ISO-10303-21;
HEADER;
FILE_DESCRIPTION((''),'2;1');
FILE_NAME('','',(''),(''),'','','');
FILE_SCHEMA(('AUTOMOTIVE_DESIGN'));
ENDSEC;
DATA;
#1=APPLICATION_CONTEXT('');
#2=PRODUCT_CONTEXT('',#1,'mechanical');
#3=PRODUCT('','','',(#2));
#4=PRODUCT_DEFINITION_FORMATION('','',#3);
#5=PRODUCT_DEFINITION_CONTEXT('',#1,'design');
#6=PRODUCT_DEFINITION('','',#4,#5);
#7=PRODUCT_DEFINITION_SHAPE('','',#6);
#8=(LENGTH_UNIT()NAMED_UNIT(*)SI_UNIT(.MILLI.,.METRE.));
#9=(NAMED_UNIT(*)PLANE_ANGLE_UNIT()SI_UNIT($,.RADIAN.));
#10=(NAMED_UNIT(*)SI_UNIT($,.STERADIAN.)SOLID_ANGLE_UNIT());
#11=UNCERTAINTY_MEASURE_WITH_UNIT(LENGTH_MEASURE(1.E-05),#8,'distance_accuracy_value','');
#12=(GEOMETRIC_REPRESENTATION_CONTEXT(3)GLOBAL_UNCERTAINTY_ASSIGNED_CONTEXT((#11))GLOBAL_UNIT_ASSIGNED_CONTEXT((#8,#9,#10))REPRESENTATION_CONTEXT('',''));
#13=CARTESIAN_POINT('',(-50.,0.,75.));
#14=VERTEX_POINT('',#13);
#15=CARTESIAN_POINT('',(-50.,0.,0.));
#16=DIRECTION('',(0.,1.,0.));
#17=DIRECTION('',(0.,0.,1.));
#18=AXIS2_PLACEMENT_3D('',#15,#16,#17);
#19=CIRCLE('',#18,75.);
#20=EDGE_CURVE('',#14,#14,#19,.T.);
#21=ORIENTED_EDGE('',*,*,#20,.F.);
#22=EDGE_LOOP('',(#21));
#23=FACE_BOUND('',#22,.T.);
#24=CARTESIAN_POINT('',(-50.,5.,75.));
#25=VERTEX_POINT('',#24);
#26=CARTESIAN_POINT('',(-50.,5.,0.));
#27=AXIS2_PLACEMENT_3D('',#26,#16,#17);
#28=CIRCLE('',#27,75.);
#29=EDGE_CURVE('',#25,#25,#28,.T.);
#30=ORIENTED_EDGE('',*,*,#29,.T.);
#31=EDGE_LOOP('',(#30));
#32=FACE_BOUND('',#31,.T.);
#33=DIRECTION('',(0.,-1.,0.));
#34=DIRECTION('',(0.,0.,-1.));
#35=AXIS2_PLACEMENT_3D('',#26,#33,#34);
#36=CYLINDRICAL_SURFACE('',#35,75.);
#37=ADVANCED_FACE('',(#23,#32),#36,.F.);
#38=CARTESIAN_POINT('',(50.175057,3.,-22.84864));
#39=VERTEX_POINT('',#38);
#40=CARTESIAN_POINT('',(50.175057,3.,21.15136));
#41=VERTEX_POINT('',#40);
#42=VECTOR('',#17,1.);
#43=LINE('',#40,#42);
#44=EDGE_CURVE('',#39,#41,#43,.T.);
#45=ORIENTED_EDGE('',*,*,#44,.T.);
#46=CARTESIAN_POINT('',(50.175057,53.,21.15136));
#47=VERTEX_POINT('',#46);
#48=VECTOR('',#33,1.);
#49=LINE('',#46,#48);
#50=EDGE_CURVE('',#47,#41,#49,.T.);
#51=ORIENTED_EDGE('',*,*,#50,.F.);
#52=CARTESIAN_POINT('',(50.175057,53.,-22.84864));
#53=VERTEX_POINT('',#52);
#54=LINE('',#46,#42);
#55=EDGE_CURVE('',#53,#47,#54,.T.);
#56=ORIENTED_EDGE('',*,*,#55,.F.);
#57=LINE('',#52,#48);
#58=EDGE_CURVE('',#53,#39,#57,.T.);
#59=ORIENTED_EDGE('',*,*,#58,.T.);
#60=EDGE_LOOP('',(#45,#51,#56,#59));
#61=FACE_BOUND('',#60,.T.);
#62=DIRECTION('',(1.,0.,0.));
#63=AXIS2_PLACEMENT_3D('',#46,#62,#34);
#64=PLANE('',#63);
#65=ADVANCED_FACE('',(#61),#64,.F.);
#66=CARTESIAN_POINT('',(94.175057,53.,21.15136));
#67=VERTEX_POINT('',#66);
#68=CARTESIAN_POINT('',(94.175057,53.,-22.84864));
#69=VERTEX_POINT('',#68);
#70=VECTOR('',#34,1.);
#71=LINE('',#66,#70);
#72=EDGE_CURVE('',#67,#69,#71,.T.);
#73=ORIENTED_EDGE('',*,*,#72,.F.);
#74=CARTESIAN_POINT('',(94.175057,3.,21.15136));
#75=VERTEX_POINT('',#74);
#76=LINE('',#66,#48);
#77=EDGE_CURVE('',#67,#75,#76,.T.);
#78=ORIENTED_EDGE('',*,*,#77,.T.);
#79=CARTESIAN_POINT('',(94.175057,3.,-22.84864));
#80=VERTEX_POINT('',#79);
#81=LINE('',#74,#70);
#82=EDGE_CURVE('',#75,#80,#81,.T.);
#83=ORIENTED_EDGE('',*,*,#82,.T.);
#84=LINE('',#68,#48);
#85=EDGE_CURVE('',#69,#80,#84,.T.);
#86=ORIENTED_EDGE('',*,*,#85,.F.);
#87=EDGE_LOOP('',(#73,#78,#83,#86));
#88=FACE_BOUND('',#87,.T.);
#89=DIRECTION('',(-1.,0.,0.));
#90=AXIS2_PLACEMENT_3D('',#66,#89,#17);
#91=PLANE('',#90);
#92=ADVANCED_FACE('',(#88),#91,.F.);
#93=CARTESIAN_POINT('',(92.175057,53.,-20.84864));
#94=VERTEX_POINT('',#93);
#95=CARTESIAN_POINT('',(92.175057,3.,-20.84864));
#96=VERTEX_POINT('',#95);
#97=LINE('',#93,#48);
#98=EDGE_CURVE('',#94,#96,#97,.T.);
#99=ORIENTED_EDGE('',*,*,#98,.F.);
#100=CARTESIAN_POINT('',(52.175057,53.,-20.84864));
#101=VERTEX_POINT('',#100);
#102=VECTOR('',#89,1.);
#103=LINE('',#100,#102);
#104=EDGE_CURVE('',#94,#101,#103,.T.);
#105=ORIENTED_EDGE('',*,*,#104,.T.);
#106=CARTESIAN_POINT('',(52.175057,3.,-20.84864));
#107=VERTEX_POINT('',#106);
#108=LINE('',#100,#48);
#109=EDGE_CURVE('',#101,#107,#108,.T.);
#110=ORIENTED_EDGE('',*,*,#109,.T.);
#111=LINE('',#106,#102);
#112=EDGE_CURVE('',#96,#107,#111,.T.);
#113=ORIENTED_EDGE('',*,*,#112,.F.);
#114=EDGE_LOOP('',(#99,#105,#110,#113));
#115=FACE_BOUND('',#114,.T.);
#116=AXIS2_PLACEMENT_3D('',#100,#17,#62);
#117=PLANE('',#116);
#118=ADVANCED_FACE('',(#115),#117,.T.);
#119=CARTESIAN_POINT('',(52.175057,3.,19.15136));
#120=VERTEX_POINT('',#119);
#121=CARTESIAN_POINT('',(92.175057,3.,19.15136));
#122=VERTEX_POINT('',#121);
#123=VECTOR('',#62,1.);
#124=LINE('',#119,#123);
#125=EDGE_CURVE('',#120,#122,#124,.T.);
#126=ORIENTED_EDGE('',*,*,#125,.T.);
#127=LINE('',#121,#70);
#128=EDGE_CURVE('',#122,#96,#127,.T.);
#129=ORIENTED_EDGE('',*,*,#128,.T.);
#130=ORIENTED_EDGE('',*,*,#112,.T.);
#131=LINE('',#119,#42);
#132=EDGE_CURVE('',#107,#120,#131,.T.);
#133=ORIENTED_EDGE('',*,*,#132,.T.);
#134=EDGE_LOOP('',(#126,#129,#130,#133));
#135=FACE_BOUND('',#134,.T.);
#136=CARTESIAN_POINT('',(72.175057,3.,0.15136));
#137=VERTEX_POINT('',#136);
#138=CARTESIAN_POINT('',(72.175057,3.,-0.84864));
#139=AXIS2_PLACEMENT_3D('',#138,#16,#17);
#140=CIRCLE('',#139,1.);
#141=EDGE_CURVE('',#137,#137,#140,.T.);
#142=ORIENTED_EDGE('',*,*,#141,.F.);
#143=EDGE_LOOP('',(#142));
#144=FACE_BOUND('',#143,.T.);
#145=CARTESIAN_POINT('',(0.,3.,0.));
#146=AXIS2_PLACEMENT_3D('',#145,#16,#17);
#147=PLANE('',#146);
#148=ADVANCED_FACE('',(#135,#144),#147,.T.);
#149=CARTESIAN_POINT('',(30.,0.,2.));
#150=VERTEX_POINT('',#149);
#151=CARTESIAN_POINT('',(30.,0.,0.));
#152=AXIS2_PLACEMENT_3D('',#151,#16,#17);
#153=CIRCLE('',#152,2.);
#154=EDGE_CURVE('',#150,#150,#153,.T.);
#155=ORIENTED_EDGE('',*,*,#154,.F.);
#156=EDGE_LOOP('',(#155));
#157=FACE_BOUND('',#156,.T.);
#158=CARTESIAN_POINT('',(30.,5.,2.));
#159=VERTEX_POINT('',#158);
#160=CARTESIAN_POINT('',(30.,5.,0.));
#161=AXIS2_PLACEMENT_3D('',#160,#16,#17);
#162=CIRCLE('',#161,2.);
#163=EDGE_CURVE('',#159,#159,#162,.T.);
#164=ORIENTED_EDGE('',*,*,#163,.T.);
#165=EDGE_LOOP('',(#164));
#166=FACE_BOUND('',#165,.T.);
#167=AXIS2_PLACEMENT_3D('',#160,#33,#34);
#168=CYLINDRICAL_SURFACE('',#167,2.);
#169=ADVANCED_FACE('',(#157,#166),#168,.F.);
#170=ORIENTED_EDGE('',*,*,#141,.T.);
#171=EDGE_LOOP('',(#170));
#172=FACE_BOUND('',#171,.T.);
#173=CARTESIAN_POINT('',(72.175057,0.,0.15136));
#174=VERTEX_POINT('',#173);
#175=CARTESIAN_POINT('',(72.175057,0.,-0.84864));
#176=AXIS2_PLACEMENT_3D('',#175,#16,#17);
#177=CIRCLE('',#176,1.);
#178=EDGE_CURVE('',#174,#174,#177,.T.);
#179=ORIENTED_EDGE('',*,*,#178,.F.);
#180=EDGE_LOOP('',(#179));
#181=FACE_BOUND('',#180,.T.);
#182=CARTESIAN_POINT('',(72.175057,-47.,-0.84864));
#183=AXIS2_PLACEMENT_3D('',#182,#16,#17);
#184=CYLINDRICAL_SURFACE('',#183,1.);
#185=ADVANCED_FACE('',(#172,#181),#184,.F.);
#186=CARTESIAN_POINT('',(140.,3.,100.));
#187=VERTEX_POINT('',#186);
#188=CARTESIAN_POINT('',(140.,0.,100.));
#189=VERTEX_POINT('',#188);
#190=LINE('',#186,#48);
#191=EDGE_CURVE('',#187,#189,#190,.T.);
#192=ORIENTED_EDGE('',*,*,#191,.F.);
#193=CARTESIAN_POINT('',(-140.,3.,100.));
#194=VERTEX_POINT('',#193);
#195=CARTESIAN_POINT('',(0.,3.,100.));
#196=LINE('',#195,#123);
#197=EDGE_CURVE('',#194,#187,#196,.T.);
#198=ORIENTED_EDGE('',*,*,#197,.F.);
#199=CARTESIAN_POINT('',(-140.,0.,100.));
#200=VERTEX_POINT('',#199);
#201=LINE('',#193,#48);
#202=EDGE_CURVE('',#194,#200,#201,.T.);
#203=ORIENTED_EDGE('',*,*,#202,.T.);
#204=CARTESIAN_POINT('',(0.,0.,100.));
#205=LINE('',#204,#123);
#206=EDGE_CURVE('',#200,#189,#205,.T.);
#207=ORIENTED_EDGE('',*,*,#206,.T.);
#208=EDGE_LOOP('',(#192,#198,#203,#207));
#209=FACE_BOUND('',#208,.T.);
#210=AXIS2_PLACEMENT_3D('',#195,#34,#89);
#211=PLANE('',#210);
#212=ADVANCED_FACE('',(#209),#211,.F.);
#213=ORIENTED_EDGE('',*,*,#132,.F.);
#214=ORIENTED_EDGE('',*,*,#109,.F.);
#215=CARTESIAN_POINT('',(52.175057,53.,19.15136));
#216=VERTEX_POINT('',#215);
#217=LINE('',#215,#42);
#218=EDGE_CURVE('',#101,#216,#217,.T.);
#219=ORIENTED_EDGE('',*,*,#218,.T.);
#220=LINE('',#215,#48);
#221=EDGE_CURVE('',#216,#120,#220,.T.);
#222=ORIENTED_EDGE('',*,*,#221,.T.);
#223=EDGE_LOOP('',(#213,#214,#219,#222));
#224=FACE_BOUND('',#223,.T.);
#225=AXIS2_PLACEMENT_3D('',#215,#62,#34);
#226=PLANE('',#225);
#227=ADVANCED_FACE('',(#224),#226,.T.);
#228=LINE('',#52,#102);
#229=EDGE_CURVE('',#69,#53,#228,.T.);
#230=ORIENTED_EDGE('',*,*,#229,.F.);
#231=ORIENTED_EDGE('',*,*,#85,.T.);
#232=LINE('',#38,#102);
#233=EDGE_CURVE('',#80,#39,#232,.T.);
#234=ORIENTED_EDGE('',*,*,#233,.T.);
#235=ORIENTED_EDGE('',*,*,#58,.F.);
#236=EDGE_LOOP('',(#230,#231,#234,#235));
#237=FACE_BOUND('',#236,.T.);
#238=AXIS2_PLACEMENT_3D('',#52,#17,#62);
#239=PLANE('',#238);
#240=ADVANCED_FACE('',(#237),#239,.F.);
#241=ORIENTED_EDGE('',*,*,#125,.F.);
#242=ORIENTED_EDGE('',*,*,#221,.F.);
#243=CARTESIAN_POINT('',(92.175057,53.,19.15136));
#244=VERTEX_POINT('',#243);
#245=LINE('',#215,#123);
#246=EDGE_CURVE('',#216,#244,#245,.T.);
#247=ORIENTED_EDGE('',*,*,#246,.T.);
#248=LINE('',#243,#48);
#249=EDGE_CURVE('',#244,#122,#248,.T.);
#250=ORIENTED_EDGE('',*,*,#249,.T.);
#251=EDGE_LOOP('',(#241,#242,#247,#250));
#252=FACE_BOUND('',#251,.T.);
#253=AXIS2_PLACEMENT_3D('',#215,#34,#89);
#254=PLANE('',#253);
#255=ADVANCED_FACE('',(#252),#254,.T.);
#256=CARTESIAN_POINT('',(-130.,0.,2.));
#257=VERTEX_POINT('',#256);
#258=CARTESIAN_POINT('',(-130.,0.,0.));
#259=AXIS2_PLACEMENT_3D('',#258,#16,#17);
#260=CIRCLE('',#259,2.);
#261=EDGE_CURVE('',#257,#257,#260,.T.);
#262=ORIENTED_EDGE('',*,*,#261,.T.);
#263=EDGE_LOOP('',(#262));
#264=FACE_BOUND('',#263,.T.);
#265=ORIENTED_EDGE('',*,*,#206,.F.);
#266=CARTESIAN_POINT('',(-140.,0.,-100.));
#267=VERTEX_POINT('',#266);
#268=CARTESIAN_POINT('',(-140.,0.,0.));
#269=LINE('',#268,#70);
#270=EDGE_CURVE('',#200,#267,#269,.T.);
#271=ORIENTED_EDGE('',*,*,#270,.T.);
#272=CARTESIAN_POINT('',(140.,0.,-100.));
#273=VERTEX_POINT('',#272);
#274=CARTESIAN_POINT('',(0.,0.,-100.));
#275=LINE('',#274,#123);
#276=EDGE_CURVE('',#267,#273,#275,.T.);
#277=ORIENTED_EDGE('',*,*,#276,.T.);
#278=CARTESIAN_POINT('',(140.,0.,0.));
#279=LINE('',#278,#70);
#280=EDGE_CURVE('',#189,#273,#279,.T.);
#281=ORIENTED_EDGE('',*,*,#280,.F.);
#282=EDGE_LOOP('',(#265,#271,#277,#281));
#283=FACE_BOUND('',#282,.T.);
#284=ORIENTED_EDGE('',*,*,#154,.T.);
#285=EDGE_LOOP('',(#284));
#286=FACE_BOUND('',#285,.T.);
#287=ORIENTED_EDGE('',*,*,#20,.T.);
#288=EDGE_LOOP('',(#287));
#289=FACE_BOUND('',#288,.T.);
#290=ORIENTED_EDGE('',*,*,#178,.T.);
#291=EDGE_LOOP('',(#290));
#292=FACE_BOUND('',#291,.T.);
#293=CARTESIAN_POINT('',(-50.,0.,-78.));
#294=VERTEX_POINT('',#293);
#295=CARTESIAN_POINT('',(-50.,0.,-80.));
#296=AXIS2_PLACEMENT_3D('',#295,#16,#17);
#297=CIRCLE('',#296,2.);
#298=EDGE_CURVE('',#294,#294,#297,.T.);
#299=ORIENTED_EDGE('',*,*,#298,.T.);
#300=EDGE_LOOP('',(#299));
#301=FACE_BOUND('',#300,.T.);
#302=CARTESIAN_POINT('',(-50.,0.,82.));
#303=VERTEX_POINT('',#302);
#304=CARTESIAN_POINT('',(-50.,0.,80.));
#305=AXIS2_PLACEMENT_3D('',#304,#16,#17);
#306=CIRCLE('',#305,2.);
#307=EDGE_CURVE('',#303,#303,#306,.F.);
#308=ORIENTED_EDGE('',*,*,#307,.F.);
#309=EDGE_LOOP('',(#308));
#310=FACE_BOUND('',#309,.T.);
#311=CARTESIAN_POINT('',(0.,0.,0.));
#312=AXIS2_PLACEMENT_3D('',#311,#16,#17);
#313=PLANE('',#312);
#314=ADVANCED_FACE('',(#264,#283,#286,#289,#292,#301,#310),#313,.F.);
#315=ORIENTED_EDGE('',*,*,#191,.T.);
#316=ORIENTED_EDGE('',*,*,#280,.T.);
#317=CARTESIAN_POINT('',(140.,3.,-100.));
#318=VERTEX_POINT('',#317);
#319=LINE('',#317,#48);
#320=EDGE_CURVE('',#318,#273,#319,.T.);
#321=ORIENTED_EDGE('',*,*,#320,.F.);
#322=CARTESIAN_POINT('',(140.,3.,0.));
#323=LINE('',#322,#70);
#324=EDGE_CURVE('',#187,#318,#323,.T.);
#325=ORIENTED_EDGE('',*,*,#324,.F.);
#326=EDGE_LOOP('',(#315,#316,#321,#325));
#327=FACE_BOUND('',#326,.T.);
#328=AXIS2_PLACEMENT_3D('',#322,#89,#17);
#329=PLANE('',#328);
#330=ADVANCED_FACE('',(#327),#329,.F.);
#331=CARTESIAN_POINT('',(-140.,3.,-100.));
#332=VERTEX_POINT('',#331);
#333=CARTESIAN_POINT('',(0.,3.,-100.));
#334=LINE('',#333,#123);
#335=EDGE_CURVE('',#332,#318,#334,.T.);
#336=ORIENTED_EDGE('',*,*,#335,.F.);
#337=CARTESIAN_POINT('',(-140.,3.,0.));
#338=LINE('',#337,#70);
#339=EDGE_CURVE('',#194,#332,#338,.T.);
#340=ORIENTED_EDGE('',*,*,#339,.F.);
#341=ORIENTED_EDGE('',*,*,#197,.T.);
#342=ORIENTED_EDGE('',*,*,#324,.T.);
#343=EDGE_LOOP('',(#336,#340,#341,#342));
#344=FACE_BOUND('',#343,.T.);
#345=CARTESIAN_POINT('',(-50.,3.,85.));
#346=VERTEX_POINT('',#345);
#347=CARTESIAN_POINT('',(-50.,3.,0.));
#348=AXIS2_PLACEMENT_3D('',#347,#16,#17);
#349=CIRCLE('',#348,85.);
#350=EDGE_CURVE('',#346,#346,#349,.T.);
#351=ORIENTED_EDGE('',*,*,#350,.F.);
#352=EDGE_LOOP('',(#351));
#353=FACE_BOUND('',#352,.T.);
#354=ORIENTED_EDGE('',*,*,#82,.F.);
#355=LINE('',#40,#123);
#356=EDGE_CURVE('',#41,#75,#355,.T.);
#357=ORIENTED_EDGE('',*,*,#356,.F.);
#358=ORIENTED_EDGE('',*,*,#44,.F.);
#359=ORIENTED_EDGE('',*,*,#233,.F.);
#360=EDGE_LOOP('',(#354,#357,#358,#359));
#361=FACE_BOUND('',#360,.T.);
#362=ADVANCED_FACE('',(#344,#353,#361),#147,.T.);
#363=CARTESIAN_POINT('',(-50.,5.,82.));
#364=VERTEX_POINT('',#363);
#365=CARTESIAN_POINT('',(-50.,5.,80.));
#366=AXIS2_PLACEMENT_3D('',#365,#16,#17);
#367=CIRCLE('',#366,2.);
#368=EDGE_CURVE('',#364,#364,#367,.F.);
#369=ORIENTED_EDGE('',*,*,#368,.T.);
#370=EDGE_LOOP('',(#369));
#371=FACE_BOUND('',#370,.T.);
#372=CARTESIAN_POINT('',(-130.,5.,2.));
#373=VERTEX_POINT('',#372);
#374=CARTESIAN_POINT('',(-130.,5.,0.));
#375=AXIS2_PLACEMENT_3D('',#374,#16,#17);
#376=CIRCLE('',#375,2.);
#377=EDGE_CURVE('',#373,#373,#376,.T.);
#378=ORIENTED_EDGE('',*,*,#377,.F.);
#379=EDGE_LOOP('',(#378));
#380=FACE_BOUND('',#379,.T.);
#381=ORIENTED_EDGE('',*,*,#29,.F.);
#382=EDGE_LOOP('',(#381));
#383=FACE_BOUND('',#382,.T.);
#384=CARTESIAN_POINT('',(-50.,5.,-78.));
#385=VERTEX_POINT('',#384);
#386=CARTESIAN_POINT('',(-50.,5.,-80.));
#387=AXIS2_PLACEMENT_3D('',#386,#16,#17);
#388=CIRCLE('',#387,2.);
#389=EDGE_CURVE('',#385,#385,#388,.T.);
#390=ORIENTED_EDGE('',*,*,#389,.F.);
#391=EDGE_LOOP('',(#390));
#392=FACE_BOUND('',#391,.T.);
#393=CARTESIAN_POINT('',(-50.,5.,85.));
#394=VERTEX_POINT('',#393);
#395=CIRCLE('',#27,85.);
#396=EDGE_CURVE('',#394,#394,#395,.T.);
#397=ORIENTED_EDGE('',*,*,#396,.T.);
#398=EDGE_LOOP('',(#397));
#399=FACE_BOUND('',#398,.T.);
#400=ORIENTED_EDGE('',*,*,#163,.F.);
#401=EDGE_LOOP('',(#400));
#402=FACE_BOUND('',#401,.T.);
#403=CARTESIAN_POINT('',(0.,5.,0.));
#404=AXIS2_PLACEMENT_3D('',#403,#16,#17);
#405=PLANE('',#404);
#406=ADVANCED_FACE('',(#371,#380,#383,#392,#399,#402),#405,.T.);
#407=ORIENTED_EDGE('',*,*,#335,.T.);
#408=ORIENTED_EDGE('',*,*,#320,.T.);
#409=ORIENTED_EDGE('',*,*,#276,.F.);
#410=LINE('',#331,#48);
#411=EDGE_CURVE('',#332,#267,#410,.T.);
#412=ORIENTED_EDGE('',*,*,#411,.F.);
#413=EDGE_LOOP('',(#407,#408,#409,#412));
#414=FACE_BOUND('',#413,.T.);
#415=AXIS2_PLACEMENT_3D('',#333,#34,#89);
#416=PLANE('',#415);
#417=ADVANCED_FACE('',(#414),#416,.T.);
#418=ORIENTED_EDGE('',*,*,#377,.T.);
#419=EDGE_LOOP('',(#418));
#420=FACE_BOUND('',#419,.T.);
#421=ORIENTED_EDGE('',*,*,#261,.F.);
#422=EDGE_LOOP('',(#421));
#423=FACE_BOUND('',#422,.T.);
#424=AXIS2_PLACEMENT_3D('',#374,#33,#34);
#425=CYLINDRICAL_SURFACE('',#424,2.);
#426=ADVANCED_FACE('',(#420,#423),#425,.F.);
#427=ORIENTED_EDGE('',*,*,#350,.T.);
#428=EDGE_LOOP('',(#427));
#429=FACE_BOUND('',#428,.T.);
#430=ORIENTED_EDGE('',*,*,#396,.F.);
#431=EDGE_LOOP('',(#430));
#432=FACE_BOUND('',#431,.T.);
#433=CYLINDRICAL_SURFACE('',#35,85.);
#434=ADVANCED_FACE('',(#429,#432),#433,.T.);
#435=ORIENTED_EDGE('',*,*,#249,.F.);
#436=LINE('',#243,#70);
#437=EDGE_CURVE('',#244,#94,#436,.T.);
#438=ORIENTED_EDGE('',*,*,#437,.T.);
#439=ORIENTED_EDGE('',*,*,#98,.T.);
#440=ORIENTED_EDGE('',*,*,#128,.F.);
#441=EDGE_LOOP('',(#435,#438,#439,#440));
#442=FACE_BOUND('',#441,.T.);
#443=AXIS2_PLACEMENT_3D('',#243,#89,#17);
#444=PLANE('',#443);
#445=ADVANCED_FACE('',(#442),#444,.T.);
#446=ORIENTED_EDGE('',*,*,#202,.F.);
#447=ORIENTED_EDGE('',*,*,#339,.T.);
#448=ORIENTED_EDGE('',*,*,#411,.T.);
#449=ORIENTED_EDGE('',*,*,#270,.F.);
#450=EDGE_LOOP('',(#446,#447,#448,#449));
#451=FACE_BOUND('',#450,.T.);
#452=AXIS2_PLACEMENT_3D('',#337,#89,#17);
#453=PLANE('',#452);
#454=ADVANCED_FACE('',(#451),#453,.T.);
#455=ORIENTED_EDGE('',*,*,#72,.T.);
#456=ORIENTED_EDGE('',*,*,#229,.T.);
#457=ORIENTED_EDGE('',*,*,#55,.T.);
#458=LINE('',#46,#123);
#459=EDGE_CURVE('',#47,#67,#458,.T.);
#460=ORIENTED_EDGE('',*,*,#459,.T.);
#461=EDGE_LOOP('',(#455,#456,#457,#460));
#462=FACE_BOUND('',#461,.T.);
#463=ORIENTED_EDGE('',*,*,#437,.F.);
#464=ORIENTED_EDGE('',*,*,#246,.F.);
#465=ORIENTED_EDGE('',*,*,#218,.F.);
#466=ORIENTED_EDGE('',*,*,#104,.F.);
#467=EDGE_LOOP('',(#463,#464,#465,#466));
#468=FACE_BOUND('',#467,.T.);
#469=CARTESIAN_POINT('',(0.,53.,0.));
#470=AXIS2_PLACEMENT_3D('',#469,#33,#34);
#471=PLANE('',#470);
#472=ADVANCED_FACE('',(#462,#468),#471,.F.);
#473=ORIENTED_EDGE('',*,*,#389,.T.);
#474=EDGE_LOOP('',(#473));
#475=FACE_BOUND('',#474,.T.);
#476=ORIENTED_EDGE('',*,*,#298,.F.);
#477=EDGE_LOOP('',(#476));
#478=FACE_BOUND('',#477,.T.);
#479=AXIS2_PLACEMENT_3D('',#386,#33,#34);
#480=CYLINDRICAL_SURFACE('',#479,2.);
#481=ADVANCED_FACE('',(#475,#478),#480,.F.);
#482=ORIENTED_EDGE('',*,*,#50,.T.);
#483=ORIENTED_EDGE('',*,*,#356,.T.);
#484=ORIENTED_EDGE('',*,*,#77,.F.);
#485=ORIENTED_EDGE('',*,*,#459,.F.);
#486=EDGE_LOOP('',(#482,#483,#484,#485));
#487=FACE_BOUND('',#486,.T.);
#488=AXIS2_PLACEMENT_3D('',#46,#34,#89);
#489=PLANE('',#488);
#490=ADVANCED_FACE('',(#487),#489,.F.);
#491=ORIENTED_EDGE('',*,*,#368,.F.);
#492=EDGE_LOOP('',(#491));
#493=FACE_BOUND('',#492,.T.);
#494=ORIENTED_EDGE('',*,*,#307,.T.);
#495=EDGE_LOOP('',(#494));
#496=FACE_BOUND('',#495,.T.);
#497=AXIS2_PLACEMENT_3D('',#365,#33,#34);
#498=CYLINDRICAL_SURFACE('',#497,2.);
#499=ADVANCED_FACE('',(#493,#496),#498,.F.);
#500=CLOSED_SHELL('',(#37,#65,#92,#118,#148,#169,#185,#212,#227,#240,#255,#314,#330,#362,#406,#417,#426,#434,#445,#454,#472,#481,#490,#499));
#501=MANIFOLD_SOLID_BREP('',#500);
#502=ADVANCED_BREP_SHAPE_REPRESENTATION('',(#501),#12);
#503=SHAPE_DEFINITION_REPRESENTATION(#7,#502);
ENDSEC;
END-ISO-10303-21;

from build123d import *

# Parameters (mm, degrees)
SKETCH_1_W          = 280
SKETCH_1_H          = 200
SKETCH_1_R          = 85
EXTRUDE_1_DEPTH     = 3
SKETCH_1_4_R        = 85
SKETCH_1_4_R_2      = 2
SKETCH_1_4_R_3      = 75
EXTRUDE_3_DEPTH     = 5
SKETCH_2_W          = 44
SKETCH_2_H          = 44
SKETCH_2_W_2        = 40
SKETCH_2_H_2        = 40
EXTRUDE_4_DEPTH     = 50
SKETCH_3_R          = 1
CUT_EXTRUDE_1_DEPTH = 50


with BuildPart() as part:
    # 草图1 → 凸台-拉伸1 (new body)
    with BuildSketch(Plane(origin=(0, 0, 0), x_dir=(1, 0, 0), z_dir=(0, 1, 0))):
        Rectangle(SKETCH_1_W, SKETCH_1_H)
        with Locations((-50, 0)):
            Circle(SKETCH_1_R, mode=Mode.SUBTRACT)
    extrude(amount=EXTRUDE_1_DEPTH)

    # 草图1<4> → 凸台-拉伸3 (add)
    with BuildSketch(Plane(origin=(0, 0, 0), x_dir=(1, 0, 0), z_dir=(0, 1, 0))):
        with Locations((-50, 0)):
            Circle(SKETCH_1_4_R)
        with Locations((-50, -80)):
            Circle(SKETCH_1_4_R_2, mode=Mode.SUBTRACT)
        with Locations((-130, 0)):
            Circle(SKETCH_1_4_R_2, mode=Mode.SUBTRACT)
        with Locations((-50, 0)):
            Circle(SKETCH_1_4_R_3, mode=Mode.SUBTRACT)
        with Locations((-50, 80)):
            Circle(SKETCH_1_4_R_2, mode=Mode.SUBTRACT)
        with Locations((30, 0)):
            Circle(SKETCH_1_4_R_2, mode=Mode.SUBTRACT)
    extrude(amount=EXTRUDE_3_DEPTH)

    # 草图2 → 凸台-拉伸4 (add)
    with BuildSketch(Plane(origin=(0, 3, 0), x_dir=(1, 0, 0), z_dir=(0, 1, 0))):
        with Locations((72.175056864, 0.848639526)):
            Rectangle(SKETCH_2_W, SKETCH_2_H)
        with Locations((72.175056864, 0.848639526)):
            Rectangle(SKETCH_2_W_2, SKETCH_2_H_2, mode=Mode.SUBTRACT)
    extrude(amount=EXTRUDE_4_DEPTH)

    # 草图3 → 切除-拉伸1 (cut)
    with BuildSketch(Plane(origin=(0, 3, 0), x_dir=(1, 0, 0), z_dir=(0, 1, 0))):
        with Locations((72.175056864, 0.848639526)):
            Circle(SKETCH_3_R)
    extrude(amount=-CUT_EXTRUDE_1_DEPTH, mode=Mode.SUBTRACT)


solid = part.part
